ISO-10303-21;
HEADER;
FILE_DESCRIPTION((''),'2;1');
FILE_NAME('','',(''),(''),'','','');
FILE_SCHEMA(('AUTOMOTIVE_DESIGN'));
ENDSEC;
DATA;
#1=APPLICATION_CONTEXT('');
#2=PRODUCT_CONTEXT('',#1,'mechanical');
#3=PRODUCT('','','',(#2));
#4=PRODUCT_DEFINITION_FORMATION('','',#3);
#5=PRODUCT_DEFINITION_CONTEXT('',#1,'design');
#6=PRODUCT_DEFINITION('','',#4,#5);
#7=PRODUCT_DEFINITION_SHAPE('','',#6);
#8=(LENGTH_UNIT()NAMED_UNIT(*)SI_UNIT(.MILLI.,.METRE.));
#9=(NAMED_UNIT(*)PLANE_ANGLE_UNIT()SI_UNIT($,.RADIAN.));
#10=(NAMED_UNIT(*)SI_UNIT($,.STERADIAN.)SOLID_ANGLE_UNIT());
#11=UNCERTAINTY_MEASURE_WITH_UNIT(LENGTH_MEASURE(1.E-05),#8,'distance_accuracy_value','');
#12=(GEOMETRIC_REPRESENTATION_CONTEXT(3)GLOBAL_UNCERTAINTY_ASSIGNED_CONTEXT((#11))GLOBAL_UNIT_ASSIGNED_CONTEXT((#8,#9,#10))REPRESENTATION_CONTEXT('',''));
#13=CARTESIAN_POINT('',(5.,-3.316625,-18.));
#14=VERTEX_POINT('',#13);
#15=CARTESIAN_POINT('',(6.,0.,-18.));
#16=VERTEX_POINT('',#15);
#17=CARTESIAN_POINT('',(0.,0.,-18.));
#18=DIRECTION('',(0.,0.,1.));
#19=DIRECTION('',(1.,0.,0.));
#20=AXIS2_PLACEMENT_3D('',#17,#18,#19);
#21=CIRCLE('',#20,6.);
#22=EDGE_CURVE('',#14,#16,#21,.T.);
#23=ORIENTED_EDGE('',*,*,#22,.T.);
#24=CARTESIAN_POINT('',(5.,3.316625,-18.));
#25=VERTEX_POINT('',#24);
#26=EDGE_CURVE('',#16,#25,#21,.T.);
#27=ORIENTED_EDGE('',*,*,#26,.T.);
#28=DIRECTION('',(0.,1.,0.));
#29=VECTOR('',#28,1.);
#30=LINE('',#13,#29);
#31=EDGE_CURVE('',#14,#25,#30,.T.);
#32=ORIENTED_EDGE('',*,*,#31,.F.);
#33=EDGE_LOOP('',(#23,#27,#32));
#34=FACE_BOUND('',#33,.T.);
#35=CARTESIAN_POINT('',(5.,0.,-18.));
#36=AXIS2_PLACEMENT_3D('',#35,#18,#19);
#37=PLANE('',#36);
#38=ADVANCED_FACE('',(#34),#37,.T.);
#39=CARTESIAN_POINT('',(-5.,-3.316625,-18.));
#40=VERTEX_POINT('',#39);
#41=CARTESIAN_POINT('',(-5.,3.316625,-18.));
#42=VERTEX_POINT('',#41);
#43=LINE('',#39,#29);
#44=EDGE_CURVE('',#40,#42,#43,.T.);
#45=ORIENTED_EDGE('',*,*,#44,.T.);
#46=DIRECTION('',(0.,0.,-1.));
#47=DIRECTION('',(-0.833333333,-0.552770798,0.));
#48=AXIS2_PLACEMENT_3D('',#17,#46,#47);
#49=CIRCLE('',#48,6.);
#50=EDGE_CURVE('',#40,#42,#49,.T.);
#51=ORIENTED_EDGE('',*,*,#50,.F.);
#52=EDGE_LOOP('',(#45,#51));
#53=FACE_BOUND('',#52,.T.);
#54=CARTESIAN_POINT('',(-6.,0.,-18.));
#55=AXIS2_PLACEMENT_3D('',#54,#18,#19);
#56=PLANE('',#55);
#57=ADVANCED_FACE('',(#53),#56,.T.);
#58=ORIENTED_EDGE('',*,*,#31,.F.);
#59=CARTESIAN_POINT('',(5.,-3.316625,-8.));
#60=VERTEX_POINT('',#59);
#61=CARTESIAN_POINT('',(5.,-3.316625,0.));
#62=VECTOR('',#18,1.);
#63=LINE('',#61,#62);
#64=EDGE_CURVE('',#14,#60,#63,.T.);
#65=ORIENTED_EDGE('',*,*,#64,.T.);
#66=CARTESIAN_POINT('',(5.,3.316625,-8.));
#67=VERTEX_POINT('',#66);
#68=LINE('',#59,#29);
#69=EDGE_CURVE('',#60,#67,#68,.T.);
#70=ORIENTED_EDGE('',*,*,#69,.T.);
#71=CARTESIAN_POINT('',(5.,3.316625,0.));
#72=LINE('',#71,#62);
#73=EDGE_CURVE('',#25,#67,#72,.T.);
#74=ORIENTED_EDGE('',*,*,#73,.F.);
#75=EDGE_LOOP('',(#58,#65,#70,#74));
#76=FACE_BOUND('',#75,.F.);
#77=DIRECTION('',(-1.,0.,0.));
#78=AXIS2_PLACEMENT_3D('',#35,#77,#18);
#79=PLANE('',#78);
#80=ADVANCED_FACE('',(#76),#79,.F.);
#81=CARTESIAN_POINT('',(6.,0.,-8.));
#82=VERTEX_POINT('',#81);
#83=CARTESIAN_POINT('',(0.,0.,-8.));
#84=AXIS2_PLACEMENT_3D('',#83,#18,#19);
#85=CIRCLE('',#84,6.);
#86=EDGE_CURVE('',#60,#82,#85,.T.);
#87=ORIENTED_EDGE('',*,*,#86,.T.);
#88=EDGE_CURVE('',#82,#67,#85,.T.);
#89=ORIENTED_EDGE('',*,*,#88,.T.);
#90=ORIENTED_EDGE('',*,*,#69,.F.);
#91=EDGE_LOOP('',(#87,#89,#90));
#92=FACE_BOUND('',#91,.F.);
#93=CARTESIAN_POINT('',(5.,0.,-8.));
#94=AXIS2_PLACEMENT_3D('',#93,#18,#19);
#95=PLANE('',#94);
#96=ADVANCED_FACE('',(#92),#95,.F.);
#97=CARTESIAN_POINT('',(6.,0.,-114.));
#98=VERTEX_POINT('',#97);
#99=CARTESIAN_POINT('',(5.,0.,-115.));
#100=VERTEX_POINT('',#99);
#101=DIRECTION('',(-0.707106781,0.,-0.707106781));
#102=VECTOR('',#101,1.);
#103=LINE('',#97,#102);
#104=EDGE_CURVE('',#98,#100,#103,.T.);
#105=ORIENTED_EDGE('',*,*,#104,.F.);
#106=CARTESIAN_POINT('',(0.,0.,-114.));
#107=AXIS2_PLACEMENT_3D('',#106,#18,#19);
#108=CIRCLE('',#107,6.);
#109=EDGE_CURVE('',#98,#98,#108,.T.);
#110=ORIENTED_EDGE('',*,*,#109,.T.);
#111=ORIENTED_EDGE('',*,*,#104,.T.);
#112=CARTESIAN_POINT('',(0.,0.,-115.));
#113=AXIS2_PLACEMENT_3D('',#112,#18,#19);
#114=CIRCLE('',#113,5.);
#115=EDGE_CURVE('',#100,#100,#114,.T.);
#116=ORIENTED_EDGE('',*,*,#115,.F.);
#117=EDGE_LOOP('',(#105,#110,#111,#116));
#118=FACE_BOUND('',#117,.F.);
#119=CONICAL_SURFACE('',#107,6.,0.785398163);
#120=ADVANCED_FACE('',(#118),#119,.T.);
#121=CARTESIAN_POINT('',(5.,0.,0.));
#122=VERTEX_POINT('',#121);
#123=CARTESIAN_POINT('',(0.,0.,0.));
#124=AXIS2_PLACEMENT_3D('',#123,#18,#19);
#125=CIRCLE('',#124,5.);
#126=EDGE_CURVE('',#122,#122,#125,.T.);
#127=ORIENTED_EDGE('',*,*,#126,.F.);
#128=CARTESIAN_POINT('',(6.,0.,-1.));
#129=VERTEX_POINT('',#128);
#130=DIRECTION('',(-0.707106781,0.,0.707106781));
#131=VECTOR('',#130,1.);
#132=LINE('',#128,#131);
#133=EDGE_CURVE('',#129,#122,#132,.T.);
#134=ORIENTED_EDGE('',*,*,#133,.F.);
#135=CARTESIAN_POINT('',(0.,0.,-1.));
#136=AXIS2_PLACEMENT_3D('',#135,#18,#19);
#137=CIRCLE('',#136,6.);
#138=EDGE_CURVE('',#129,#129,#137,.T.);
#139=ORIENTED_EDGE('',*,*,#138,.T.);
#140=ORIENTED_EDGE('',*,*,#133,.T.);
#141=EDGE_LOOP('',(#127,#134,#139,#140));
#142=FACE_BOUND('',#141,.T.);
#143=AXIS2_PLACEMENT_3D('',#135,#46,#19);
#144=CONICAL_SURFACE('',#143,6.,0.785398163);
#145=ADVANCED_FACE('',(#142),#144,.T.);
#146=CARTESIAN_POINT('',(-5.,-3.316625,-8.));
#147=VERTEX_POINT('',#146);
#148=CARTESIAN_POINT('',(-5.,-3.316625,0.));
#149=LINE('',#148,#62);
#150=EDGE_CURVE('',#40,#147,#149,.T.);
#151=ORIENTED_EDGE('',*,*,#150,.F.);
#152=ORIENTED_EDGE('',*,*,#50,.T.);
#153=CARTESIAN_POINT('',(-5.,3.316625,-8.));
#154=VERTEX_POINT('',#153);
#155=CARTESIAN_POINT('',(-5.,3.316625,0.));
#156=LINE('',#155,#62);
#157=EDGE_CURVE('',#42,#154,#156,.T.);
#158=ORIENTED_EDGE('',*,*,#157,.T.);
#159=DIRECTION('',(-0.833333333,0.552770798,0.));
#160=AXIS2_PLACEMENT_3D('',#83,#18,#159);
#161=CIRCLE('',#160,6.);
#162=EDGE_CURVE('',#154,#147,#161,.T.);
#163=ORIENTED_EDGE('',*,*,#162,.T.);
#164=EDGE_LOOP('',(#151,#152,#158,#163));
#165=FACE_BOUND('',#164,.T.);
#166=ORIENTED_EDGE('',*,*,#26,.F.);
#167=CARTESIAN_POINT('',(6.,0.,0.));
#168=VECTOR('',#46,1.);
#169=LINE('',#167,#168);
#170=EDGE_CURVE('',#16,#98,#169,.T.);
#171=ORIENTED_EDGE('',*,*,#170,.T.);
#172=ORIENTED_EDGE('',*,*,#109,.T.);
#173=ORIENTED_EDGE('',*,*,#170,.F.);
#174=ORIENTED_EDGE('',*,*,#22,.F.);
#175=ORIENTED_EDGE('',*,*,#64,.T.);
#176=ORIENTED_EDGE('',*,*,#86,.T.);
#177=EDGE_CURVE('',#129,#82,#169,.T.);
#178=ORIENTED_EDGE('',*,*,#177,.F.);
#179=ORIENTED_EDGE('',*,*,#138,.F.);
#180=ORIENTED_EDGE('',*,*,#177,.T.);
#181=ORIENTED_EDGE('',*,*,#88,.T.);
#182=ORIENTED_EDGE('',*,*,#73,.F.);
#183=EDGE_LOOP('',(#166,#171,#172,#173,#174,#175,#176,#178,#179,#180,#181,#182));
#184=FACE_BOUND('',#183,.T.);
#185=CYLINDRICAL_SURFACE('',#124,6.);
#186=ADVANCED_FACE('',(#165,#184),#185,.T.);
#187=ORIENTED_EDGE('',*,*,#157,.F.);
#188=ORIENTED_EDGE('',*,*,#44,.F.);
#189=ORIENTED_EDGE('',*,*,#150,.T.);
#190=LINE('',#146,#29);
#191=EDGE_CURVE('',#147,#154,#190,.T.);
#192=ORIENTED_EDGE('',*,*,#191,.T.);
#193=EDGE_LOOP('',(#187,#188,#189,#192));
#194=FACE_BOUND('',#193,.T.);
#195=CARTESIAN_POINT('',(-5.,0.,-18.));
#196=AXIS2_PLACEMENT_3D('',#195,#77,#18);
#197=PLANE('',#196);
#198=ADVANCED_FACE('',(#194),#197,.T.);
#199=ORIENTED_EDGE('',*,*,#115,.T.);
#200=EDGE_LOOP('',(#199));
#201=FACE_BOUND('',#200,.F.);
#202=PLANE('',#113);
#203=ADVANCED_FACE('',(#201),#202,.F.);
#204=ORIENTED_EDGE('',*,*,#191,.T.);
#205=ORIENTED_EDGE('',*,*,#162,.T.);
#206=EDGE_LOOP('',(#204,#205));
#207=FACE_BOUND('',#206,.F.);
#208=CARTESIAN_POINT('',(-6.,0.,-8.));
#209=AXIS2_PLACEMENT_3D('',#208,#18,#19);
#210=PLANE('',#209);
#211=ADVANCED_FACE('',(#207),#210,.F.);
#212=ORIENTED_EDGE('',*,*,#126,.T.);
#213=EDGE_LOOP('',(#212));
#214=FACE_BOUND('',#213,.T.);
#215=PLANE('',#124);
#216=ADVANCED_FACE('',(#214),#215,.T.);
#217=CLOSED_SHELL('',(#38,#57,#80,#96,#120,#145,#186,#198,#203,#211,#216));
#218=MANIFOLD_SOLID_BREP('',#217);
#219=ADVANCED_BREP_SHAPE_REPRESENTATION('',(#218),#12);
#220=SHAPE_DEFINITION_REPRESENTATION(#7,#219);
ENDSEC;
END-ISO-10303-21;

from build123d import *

# Parameters (mm, degrees)
F0_R          = 6
F1_DEPTH      = 115
F2_W          = 1
F2_H          = 10
F3_DEPTH      = 6.001
F3_DEPTH_BACK = 6.001
F4_SIZE2      = 1
F4_SIZE       = 1


with BuildPart() as f1:
    # F0 (on Top) → F1 (new body)
    with BuildSketch(Plane.XY):
        Circle(F0_R)
    extrude(amount=-F1_DEPTH)

    # F2 (on Front) → F3 (cut, two sides)
    with BuildSketch(Plane.XZ) as f3_sk:
        with Locations((5.5, -13)):
            Rectangle(F2_W, F2_H)
        with Locations((-5.5, -13)):
            Rectangle(F2_W, F2_H)
    extrude(amount=-F3_DEPTH, mode=Mode.SUBTRACT)
    extrude(f3_sk.sketch, amount=F3_DEPTH_BACK, mode=Mode.SUBTRACT)

    # F4
    f4_edges = [f1.edges().sort_by_distance(p)[0] for p in [
        (-6, 0, 0),
        (-6, 0, -115),
    ]]
    chamfer(f4_edges, length=F4_SIZE, length2=F4_SIZE2)


solid = f1.part
